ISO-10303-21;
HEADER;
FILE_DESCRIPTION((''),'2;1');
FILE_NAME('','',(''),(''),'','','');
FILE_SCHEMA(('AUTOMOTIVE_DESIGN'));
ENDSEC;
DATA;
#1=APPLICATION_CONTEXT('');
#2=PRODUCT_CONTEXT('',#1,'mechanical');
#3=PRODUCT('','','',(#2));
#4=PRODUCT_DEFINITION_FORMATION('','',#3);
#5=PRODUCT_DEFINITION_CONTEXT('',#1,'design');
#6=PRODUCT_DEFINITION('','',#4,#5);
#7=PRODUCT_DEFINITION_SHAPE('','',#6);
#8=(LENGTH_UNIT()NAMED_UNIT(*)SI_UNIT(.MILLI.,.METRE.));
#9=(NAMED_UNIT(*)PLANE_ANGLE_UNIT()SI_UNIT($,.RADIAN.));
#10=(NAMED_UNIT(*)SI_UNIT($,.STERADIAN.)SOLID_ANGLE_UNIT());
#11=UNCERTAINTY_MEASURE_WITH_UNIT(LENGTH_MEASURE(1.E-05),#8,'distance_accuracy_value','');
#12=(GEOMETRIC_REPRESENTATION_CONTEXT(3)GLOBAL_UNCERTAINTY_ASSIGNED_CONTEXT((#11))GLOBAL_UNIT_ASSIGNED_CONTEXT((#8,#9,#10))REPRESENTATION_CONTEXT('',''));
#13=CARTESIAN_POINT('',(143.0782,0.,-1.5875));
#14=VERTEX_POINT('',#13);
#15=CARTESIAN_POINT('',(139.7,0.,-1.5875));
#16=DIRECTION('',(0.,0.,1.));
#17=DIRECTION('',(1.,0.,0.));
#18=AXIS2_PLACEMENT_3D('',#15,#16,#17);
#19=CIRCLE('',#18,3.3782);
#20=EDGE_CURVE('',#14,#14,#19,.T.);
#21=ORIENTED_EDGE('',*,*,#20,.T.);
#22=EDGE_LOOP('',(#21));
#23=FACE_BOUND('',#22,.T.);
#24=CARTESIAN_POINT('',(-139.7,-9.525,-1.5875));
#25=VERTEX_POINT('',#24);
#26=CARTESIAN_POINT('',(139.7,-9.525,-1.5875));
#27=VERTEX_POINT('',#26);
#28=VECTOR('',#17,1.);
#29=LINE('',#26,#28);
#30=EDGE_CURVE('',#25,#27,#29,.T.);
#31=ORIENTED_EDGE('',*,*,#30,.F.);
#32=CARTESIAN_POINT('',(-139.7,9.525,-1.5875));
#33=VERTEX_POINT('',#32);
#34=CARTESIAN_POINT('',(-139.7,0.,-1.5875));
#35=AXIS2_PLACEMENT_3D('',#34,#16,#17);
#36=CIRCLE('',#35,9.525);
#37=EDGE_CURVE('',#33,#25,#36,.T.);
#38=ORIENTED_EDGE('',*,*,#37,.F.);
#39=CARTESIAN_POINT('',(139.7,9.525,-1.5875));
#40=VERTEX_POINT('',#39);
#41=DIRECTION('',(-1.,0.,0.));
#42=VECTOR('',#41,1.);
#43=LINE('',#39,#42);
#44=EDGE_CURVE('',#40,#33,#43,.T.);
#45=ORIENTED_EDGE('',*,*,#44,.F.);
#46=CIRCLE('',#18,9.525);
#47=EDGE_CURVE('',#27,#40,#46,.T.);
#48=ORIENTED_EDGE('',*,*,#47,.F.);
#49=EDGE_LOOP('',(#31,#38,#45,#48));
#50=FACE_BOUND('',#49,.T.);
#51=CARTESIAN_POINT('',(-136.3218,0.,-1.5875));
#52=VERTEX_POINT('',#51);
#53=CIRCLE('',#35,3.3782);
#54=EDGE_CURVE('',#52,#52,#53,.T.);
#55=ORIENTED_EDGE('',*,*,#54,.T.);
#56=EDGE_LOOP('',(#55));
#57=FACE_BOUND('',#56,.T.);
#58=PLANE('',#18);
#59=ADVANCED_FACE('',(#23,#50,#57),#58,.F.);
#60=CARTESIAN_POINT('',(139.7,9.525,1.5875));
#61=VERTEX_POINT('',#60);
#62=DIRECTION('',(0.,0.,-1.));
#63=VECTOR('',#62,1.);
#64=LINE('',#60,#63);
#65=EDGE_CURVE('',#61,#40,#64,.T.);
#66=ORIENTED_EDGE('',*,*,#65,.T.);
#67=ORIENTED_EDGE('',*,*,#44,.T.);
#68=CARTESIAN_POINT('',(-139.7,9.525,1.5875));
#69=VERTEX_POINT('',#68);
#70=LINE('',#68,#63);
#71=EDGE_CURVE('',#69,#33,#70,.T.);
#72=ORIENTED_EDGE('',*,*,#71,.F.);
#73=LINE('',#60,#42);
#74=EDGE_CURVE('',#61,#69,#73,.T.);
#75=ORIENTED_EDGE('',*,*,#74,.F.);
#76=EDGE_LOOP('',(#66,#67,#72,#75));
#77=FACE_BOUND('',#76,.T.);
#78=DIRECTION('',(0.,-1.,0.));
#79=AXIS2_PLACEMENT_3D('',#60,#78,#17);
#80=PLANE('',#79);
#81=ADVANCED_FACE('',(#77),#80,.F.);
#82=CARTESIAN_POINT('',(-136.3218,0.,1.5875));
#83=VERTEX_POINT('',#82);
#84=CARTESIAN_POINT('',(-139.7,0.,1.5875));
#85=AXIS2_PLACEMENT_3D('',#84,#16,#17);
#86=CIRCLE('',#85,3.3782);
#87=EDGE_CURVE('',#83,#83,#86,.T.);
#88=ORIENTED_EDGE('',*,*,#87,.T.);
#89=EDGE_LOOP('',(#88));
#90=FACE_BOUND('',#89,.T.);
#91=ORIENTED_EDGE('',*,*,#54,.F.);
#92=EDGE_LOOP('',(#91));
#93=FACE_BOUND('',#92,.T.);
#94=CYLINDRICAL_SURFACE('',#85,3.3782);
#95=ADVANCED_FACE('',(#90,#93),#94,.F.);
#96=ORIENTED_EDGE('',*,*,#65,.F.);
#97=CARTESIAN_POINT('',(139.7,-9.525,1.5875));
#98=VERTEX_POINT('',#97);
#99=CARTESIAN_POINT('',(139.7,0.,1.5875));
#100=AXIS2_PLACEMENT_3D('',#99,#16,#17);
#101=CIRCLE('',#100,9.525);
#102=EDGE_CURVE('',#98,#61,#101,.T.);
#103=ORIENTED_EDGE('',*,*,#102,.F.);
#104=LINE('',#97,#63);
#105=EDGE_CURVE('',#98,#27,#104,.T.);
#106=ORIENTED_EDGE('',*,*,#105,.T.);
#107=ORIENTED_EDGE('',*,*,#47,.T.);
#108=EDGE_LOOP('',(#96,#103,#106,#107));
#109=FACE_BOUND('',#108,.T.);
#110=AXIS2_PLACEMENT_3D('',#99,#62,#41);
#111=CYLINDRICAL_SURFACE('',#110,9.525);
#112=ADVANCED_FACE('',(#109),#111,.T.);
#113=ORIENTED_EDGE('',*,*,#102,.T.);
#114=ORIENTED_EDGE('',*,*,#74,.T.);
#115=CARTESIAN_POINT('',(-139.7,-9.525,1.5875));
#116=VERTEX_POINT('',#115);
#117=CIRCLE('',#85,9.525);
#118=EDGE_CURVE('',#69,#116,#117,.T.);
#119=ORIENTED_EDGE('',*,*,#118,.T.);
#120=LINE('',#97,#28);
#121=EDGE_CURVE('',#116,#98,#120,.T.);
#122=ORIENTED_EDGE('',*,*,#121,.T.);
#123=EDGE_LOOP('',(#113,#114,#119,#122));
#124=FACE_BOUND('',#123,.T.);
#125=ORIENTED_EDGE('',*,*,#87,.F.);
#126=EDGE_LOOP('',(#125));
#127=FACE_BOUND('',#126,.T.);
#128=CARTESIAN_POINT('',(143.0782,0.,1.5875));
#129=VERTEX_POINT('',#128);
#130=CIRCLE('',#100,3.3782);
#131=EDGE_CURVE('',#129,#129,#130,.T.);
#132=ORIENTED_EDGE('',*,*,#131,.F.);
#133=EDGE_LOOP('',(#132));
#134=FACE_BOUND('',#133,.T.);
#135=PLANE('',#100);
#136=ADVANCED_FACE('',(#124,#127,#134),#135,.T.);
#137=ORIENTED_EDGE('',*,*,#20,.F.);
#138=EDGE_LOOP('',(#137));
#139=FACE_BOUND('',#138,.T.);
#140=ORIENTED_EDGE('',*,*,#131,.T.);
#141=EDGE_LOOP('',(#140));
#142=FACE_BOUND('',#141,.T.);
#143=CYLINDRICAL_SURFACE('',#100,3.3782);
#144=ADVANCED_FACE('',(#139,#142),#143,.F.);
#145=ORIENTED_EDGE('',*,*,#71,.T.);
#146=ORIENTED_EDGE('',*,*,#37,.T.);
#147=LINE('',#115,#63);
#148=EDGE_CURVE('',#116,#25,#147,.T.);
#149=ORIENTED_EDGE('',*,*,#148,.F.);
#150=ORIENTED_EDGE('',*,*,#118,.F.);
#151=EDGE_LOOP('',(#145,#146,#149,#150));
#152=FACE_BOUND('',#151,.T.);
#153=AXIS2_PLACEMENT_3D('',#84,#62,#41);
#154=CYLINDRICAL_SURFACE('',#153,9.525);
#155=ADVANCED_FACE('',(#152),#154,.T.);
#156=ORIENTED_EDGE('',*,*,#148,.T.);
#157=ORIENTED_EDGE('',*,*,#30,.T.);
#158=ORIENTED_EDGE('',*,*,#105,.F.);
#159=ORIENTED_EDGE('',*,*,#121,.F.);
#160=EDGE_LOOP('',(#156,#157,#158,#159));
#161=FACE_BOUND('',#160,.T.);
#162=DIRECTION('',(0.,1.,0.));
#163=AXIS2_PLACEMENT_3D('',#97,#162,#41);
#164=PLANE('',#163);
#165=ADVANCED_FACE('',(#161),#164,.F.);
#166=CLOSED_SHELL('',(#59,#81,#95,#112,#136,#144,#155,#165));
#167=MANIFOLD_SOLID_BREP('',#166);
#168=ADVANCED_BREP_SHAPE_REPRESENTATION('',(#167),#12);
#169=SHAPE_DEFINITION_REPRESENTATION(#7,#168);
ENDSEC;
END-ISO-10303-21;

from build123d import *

# Parameters (mm, degrees)
BOSS_EXTRUDE1_DEPTH     = 1.5875
F_1_4_CLEARANCE_HOLE1_D = 6.7564


with BuildPart() as part:
    # Sketch2 → Boss-Extrude1 (new, symmetric)
    with BuildSketch(Plane.XY):
        with BuildLine():
            Line((139.7, -9.525), (-139.7, -9.525))
            ThreePointArc((-139.7, -9.525), (-149.225, 0), (-139.7, 9.525))
            Line((-139.7, 9.525), (139.7, 9.525))
            ThreePointArc((139.7, 9.525), (149.225, 0), (139.7, -9.525))
        make_face()
    extrude(amount=BOSS_EXTRUDE1_DEPTH, both=True)

    # 1/4 Clearance Hole1 (through all)
    with Locations(Plane.XY.offset(1.5875)):
        with Locations((-139.7, 0), (139.7, 0)):
            Hole(F_1_4_CLEARANCE_HOLE1_D / 2)


solid = part.part
